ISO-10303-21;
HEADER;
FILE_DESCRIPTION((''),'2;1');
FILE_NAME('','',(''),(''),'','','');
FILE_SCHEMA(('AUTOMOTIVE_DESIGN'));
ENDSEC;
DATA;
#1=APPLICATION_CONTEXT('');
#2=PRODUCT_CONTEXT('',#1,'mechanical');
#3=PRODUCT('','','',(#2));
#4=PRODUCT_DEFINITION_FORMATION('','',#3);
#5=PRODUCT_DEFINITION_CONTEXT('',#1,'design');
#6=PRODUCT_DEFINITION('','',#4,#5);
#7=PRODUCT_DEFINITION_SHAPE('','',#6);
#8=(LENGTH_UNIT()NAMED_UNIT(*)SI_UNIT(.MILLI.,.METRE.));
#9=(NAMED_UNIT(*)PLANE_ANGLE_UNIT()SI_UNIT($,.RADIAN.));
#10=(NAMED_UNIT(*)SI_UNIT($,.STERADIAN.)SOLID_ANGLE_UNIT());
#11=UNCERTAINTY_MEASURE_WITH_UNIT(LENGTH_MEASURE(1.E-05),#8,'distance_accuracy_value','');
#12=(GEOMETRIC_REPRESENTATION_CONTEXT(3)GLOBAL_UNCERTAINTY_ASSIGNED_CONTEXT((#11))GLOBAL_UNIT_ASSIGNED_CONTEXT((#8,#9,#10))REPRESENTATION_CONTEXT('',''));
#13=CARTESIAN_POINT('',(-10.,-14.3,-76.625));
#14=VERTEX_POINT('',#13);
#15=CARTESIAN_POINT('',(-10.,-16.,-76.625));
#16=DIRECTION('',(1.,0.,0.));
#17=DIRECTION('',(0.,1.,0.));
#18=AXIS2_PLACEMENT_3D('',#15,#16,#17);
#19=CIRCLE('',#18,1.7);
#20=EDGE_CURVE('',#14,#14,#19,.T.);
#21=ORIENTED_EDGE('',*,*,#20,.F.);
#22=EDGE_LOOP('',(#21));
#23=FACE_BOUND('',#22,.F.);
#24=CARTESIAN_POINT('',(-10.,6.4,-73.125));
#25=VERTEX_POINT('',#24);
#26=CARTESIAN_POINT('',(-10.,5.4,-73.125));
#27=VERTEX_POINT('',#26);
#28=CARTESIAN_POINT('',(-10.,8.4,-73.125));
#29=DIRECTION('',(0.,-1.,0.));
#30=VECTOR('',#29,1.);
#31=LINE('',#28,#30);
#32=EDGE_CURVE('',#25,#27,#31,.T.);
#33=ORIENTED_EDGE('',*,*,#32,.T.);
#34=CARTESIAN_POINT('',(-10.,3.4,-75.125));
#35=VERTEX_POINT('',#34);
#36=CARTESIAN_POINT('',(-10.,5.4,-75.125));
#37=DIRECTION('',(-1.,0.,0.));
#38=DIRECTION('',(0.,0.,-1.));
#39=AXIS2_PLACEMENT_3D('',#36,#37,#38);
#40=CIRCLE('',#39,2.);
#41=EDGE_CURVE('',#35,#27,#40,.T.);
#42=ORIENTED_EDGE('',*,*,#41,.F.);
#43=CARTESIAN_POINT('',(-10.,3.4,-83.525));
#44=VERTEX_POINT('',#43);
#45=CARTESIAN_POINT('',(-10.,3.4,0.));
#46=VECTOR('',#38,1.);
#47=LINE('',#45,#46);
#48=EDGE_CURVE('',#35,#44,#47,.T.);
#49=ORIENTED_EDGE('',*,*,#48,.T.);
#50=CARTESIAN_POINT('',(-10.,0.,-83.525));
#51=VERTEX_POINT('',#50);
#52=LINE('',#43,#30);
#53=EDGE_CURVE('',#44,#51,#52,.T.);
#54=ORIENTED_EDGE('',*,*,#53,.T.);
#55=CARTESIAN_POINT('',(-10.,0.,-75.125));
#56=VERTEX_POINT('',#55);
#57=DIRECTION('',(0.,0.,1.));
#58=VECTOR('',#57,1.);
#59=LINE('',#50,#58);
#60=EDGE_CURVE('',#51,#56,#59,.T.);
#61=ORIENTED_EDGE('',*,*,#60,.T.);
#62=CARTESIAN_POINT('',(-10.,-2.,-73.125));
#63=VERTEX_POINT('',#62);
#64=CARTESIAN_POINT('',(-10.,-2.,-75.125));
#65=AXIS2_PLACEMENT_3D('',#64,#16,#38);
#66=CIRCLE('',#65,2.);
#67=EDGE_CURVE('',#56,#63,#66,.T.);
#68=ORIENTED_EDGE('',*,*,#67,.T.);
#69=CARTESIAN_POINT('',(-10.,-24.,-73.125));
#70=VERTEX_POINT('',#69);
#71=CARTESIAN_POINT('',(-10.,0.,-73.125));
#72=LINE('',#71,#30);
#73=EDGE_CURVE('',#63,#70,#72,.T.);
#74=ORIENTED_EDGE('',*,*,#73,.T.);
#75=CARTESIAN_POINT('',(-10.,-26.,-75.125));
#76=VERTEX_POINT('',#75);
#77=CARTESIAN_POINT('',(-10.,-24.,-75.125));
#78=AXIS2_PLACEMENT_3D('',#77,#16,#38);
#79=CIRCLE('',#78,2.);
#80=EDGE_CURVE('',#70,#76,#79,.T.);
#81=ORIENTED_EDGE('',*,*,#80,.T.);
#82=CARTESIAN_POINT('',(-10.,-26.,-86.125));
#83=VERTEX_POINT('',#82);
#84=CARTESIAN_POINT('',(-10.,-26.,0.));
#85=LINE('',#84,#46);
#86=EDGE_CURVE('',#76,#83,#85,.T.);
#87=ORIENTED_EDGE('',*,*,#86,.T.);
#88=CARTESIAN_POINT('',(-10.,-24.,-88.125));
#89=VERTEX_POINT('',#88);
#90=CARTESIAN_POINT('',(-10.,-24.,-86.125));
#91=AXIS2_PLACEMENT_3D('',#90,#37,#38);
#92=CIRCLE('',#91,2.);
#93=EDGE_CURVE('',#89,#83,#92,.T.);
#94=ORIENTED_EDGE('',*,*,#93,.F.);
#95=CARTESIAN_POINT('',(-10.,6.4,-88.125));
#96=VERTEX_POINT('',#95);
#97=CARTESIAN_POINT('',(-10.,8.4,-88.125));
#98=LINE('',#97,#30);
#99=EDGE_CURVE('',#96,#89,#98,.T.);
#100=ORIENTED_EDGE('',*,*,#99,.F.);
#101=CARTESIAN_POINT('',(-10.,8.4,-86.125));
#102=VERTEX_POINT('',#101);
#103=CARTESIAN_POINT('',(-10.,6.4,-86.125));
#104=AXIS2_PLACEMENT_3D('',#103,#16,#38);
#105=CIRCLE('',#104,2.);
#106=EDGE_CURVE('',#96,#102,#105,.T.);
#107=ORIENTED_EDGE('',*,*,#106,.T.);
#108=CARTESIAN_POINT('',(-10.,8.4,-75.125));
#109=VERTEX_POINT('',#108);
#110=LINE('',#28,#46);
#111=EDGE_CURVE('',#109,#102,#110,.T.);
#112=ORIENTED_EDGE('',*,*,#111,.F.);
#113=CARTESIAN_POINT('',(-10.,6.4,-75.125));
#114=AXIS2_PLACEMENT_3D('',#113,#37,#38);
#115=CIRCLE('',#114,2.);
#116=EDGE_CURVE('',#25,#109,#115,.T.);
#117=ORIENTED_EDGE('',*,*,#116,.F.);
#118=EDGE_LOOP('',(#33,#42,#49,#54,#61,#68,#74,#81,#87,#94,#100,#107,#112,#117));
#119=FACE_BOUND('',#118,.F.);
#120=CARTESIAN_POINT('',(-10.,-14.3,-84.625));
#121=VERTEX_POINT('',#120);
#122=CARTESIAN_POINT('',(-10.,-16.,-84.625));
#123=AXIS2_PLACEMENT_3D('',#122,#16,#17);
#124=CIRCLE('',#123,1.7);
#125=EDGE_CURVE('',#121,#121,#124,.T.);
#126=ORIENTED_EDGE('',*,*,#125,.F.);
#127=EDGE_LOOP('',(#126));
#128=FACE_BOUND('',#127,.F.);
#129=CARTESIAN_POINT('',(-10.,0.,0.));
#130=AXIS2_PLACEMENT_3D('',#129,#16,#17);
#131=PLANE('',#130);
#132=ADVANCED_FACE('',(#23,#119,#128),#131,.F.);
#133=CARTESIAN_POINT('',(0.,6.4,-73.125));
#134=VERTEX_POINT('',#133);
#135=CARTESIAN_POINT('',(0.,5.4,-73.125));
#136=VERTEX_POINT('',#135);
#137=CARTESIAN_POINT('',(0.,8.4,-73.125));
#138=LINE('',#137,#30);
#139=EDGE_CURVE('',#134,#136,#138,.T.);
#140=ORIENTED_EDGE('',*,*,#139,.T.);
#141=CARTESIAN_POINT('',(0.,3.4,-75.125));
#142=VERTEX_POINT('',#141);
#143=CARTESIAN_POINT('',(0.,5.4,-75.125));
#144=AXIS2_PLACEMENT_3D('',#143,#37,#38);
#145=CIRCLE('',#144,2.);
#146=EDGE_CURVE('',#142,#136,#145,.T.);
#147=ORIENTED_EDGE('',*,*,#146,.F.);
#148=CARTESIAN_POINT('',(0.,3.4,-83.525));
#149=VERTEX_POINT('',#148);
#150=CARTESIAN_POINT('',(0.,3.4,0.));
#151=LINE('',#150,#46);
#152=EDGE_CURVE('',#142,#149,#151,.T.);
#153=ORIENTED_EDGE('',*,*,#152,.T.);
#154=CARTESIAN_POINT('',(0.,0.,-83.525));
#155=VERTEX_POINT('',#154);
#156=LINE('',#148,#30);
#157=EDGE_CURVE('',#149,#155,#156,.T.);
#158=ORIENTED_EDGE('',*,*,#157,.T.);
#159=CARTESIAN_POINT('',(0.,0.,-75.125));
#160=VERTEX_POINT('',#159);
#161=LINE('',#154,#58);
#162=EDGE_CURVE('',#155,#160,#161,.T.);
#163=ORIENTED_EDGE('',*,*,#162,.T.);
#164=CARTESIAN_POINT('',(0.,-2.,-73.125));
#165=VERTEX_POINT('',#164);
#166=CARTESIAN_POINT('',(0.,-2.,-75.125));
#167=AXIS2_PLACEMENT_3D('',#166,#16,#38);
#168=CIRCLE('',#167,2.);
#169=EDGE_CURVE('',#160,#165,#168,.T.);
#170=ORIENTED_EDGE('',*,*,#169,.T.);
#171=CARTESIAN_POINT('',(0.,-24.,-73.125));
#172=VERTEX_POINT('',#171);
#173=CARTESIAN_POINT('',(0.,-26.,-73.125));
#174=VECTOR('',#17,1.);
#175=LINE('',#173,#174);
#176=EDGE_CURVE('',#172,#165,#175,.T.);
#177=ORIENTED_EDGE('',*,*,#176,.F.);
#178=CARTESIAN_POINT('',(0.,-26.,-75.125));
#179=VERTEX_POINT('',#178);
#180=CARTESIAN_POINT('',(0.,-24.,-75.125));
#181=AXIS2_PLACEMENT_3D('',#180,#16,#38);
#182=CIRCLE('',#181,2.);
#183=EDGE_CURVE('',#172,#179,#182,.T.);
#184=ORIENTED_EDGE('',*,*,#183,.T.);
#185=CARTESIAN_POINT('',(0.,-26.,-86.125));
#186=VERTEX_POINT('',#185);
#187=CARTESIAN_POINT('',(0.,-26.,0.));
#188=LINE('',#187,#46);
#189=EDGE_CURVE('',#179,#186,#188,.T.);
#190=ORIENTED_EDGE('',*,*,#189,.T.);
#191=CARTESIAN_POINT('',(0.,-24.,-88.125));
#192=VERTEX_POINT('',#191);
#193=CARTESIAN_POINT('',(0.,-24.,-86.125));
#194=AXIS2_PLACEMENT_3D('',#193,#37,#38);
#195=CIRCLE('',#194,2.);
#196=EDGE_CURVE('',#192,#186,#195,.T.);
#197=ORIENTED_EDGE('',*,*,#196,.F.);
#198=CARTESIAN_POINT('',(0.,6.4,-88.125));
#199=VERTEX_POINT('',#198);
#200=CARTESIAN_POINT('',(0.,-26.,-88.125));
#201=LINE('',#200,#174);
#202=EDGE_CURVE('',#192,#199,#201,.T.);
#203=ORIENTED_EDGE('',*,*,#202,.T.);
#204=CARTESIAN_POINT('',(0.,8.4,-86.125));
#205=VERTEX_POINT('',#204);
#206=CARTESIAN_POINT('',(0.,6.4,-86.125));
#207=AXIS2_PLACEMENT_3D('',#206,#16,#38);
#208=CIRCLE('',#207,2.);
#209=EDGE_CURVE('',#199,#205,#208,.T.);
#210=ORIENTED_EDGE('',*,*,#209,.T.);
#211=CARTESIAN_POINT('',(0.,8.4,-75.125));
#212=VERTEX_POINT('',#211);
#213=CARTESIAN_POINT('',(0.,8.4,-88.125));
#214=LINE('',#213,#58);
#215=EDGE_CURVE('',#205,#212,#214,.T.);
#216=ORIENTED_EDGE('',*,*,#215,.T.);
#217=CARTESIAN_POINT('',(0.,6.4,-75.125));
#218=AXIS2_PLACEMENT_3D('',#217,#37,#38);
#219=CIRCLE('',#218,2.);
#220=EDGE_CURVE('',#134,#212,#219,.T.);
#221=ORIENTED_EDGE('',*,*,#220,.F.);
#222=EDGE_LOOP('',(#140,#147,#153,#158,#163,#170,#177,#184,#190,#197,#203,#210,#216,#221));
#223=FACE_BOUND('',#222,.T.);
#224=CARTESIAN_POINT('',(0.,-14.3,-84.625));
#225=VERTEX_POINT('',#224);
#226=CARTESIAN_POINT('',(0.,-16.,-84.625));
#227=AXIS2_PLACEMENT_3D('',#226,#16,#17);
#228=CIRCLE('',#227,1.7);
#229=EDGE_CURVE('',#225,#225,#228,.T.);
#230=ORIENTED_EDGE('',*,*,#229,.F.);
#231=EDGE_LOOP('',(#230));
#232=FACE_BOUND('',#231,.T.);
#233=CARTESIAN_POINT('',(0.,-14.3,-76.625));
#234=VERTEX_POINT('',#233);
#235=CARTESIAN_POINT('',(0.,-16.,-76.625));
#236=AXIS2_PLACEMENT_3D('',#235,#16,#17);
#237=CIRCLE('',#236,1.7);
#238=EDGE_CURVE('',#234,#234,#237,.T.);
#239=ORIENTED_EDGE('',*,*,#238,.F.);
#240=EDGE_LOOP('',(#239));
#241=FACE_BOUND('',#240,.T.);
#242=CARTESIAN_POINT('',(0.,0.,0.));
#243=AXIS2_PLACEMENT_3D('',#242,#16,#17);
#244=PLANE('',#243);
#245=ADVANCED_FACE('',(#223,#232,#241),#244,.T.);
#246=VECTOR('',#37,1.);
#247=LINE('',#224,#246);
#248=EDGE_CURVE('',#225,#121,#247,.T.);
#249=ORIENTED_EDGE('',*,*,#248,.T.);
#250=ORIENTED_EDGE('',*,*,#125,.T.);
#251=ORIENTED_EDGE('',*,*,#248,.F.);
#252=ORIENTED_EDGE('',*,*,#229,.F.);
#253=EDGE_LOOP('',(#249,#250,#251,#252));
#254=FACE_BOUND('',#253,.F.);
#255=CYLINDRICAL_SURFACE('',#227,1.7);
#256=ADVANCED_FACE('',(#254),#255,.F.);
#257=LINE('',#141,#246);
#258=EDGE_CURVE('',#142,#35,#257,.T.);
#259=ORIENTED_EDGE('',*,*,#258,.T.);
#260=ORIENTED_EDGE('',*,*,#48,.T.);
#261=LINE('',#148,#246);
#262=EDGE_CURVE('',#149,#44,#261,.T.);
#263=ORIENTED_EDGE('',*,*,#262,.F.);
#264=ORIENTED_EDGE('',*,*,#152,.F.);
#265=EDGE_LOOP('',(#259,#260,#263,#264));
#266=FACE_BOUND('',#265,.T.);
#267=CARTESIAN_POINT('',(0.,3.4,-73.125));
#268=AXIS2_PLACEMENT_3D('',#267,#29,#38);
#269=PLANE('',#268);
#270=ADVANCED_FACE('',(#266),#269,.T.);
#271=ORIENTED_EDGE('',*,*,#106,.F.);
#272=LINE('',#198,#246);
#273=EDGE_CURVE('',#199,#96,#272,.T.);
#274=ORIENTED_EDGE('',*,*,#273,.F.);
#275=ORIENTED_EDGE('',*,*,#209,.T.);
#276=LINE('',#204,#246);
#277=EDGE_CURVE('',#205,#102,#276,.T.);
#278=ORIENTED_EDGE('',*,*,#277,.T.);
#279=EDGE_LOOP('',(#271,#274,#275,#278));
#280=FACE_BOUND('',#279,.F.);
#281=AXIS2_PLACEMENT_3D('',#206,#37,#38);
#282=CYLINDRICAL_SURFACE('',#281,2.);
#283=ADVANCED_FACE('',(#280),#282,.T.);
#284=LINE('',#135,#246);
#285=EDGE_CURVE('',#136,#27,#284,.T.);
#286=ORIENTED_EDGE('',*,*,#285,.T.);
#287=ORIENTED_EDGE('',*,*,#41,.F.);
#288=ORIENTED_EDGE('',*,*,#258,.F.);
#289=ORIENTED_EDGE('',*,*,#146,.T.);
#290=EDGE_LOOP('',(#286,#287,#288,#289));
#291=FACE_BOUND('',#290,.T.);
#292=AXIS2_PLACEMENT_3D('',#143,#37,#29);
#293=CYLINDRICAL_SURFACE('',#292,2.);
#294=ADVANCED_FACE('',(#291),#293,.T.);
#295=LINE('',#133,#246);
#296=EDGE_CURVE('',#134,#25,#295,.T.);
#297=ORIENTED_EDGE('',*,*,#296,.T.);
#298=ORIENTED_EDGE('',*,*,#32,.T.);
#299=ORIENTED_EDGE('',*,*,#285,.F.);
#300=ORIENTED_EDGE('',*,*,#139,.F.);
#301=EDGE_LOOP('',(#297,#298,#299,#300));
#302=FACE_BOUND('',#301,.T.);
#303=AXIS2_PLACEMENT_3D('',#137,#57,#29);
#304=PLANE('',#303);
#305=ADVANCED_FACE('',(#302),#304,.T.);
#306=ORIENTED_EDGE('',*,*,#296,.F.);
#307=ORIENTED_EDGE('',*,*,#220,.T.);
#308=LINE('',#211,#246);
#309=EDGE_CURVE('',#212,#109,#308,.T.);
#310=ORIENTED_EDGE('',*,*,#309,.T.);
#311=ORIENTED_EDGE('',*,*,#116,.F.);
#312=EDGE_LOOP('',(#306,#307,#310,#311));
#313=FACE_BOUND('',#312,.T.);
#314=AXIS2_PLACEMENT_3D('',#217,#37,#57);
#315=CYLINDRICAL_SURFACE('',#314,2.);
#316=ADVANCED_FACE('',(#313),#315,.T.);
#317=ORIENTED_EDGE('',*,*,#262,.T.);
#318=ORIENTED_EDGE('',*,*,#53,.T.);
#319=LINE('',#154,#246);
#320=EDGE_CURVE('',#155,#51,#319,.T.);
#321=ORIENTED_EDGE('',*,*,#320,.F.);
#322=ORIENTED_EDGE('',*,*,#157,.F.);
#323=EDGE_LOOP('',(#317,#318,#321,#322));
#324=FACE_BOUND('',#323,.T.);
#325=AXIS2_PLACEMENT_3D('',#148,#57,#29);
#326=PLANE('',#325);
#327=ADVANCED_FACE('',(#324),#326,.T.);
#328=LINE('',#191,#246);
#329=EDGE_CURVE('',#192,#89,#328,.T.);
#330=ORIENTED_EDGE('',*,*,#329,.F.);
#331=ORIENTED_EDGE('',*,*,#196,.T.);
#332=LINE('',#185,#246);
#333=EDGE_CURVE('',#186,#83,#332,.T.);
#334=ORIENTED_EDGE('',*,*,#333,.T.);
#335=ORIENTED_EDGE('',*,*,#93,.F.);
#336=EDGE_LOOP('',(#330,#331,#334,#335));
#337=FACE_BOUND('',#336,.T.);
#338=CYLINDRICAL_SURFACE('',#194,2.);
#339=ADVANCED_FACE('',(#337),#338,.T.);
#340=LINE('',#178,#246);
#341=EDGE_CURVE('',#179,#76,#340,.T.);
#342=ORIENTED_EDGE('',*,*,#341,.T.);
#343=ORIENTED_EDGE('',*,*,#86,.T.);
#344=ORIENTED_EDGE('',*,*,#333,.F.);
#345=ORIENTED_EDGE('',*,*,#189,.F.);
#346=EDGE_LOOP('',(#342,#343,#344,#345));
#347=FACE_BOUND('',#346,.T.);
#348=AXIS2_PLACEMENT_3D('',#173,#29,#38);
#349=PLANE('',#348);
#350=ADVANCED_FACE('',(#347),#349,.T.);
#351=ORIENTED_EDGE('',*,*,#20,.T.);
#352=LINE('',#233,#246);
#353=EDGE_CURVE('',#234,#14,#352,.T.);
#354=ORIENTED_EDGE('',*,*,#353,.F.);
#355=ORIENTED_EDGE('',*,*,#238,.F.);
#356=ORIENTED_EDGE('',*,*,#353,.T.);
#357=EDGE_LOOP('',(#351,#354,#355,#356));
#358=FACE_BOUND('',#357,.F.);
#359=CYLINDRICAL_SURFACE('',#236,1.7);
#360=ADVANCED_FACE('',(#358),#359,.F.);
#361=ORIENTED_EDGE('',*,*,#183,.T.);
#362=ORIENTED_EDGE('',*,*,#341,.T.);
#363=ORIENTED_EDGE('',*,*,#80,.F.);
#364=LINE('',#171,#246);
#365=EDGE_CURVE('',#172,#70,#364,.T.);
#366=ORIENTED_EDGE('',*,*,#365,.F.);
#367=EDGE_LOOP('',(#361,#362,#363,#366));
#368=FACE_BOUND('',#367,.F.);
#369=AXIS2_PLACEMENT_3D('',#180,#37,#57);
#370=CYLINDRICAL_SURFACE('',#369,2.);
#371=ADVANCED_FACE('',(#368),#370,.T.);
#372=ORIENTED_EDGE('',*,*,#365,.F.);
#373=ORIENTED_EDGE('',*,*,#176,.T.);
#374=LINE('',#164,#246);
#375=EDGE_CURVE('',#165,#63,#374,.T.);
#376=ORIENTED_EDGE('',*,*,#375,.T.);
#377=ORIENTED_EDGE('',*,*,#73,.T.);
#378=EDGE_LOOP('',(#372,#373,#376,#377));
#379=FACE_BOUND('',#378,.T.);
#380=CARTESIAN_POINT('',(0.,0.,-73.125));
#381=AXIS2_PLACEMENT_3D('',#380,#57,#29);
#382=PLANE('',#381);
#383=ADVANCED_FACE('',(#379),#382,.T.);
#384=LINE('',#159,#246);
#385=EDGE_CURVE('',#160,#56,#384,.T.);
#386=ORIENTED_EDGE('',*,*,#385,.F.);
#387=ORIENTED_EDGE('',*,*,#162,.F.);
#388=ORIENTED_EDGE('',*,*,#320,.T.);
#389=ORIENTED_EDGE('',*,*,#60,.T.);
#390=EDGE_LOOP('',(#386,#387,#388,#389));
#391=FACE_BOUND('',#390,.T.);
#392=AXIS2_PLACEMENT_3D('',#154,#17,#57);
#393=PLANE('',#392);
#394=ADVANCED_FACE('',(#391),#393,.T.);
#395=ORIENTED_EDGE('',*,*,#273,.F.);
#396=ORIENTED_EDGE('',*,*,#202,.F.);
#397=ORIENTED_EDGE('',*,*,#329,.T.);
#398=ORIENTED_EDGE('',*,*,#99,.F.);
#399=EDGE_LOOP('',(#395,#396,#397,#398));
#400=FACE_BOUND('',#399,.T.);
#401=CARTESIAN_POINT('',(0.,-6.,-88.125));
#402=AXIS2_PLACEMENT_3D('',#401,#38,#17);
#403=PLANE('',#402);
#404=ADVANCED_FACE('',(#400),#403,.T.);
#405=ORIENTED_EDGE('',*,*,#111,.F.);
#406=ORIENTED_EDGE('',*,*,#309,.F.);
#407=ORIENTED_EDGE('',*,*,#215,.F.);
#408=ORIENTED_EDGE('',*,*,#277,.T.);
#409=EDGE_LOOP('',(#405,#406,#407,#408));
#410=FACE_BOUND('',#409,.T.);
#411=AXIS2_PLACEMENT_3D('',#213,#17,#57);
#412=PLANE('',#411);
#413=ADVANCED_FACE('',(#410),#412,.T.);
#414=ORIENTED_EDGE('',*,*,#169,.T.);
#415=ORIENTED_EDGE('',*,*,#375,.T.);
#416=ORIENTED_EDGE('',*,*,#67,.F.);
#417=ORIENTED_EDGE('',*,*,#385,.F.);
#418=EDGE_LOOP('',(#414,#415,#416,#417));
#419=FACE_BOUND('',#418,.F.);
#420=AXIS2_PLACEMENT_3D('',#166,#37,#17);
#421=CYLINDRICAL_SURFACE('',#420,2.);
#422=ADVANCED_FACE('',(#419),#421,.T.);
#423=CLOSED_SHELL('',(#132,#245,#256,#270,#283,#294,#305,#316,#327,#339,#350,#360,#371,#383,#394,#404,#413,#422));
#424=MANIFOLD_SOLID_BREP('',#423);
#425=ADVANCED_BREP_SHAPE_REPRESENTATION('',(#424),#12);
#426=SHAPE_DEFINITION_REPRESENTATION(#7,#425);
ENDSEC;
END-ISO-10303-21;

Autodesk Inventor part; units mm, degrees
ref_plane "YZ Plane" through (0, 0, 0) normal (1, 0, 0) x (0, 1, 0)
ref_plane "XZ Plane" through (0, 0, 0) normal (0, 1, 0) x (-1, 0, 0)
ref_plane "XY Plane" through (0, 0, 0) normal (0, 0, 1) x (1, 0, 0)
sketch "スケッチ1" plane through (0, 0, 0) normal (1, 0, 0) x (0, 1, 0)
  line L0 (0, 0) -> (3.4, 0)
  line L1 (3.4, 0) -> (3.4, -83.525)
  line L2 (3.4, -83.525) -> (0, -83.525)
  line L3 (0, -83.525) -> (0, 0)
  line L4 (-6, 0) -> (-26, 0)
  line L5 (-26, 0) -> (-26, -134.3533)
  line L6 (-26, -134.3533) -> (-6, -134.3533)
  line L7 (-6, -134.3533) -> (-6, 0)
  line L8 (3.4, -83.525) -> (8.4, -83.525)
  line L9 (8.4, -83.525) -> (8.4, -73.125)
  line L10 (8.4, -73.125) -> (3.4, -73.125)
  line L11 (3.4, -73.125) -> (3.4, -83.525)
  line L12 (0, -73.125) -> (-26, -73.125)
  line L13 (-26, -73.125) -> (-26, -88.125)
  line L14 (-26, -88.125) -> (0, -88.125)
  line L15 (0, -88.125) -> (0, -73.125)
  line L16 (8.4, -83.525) -> (0, -83.525)
  line L17 (0, -83.525) -> (0, -88.125)
  line L18 (0, -88.125) -> (8.4, -88.125)
  line L19 (8.4, -88.125) -> (8.4, -83.525)
  circle A0 centre (-16, -76.625) radius 1.7
  circle A1 centre (-16, -84.625) radius 1.7
  point P0 (4.2, -88.125)
  point P1 (5.9, -83.525)
  point P2 (-26, -80.625)
  point P3 (3.4, -73.125)
  point P4 (-26, -73.125)
  dimension "d0" = 3.4
  dimension "d1" = 20
  dimension "d2" = 6
  dimension "d3" = 5
  dimension "d4" = 10.4
  dimension "d5" = 4.6
  dimension "d6" = 3.4
  dimension "d7" = 3.4
  dimension "d8" = 10
  dimension "d9" = 10
  dimension "d10" = 8
  dimension "d11" = 3.5
  dimension "d14" = 0
extrude "押し出し1" add sketch "スケッチ1" against normal blind 10 contours L3 L15 L14 L7 L12 | L10 L9 L8 L1 | L2 L8 L19 L18 L15 | L7 L14 L5 L12
fillet "フィレット1" radius 2 6 edges at (-5, 8.4, -73.125) (-5, 3.4, -73.125) (-5, 0, -73.125) (-5, -26, -73.125) (-5, -26, -88.125) (-5, 8.4, -88.125)
equation "\"d9\" = d8"
properties part number "base_weel-v2-3DP-C-F-2" material "ABS プラスチック"
